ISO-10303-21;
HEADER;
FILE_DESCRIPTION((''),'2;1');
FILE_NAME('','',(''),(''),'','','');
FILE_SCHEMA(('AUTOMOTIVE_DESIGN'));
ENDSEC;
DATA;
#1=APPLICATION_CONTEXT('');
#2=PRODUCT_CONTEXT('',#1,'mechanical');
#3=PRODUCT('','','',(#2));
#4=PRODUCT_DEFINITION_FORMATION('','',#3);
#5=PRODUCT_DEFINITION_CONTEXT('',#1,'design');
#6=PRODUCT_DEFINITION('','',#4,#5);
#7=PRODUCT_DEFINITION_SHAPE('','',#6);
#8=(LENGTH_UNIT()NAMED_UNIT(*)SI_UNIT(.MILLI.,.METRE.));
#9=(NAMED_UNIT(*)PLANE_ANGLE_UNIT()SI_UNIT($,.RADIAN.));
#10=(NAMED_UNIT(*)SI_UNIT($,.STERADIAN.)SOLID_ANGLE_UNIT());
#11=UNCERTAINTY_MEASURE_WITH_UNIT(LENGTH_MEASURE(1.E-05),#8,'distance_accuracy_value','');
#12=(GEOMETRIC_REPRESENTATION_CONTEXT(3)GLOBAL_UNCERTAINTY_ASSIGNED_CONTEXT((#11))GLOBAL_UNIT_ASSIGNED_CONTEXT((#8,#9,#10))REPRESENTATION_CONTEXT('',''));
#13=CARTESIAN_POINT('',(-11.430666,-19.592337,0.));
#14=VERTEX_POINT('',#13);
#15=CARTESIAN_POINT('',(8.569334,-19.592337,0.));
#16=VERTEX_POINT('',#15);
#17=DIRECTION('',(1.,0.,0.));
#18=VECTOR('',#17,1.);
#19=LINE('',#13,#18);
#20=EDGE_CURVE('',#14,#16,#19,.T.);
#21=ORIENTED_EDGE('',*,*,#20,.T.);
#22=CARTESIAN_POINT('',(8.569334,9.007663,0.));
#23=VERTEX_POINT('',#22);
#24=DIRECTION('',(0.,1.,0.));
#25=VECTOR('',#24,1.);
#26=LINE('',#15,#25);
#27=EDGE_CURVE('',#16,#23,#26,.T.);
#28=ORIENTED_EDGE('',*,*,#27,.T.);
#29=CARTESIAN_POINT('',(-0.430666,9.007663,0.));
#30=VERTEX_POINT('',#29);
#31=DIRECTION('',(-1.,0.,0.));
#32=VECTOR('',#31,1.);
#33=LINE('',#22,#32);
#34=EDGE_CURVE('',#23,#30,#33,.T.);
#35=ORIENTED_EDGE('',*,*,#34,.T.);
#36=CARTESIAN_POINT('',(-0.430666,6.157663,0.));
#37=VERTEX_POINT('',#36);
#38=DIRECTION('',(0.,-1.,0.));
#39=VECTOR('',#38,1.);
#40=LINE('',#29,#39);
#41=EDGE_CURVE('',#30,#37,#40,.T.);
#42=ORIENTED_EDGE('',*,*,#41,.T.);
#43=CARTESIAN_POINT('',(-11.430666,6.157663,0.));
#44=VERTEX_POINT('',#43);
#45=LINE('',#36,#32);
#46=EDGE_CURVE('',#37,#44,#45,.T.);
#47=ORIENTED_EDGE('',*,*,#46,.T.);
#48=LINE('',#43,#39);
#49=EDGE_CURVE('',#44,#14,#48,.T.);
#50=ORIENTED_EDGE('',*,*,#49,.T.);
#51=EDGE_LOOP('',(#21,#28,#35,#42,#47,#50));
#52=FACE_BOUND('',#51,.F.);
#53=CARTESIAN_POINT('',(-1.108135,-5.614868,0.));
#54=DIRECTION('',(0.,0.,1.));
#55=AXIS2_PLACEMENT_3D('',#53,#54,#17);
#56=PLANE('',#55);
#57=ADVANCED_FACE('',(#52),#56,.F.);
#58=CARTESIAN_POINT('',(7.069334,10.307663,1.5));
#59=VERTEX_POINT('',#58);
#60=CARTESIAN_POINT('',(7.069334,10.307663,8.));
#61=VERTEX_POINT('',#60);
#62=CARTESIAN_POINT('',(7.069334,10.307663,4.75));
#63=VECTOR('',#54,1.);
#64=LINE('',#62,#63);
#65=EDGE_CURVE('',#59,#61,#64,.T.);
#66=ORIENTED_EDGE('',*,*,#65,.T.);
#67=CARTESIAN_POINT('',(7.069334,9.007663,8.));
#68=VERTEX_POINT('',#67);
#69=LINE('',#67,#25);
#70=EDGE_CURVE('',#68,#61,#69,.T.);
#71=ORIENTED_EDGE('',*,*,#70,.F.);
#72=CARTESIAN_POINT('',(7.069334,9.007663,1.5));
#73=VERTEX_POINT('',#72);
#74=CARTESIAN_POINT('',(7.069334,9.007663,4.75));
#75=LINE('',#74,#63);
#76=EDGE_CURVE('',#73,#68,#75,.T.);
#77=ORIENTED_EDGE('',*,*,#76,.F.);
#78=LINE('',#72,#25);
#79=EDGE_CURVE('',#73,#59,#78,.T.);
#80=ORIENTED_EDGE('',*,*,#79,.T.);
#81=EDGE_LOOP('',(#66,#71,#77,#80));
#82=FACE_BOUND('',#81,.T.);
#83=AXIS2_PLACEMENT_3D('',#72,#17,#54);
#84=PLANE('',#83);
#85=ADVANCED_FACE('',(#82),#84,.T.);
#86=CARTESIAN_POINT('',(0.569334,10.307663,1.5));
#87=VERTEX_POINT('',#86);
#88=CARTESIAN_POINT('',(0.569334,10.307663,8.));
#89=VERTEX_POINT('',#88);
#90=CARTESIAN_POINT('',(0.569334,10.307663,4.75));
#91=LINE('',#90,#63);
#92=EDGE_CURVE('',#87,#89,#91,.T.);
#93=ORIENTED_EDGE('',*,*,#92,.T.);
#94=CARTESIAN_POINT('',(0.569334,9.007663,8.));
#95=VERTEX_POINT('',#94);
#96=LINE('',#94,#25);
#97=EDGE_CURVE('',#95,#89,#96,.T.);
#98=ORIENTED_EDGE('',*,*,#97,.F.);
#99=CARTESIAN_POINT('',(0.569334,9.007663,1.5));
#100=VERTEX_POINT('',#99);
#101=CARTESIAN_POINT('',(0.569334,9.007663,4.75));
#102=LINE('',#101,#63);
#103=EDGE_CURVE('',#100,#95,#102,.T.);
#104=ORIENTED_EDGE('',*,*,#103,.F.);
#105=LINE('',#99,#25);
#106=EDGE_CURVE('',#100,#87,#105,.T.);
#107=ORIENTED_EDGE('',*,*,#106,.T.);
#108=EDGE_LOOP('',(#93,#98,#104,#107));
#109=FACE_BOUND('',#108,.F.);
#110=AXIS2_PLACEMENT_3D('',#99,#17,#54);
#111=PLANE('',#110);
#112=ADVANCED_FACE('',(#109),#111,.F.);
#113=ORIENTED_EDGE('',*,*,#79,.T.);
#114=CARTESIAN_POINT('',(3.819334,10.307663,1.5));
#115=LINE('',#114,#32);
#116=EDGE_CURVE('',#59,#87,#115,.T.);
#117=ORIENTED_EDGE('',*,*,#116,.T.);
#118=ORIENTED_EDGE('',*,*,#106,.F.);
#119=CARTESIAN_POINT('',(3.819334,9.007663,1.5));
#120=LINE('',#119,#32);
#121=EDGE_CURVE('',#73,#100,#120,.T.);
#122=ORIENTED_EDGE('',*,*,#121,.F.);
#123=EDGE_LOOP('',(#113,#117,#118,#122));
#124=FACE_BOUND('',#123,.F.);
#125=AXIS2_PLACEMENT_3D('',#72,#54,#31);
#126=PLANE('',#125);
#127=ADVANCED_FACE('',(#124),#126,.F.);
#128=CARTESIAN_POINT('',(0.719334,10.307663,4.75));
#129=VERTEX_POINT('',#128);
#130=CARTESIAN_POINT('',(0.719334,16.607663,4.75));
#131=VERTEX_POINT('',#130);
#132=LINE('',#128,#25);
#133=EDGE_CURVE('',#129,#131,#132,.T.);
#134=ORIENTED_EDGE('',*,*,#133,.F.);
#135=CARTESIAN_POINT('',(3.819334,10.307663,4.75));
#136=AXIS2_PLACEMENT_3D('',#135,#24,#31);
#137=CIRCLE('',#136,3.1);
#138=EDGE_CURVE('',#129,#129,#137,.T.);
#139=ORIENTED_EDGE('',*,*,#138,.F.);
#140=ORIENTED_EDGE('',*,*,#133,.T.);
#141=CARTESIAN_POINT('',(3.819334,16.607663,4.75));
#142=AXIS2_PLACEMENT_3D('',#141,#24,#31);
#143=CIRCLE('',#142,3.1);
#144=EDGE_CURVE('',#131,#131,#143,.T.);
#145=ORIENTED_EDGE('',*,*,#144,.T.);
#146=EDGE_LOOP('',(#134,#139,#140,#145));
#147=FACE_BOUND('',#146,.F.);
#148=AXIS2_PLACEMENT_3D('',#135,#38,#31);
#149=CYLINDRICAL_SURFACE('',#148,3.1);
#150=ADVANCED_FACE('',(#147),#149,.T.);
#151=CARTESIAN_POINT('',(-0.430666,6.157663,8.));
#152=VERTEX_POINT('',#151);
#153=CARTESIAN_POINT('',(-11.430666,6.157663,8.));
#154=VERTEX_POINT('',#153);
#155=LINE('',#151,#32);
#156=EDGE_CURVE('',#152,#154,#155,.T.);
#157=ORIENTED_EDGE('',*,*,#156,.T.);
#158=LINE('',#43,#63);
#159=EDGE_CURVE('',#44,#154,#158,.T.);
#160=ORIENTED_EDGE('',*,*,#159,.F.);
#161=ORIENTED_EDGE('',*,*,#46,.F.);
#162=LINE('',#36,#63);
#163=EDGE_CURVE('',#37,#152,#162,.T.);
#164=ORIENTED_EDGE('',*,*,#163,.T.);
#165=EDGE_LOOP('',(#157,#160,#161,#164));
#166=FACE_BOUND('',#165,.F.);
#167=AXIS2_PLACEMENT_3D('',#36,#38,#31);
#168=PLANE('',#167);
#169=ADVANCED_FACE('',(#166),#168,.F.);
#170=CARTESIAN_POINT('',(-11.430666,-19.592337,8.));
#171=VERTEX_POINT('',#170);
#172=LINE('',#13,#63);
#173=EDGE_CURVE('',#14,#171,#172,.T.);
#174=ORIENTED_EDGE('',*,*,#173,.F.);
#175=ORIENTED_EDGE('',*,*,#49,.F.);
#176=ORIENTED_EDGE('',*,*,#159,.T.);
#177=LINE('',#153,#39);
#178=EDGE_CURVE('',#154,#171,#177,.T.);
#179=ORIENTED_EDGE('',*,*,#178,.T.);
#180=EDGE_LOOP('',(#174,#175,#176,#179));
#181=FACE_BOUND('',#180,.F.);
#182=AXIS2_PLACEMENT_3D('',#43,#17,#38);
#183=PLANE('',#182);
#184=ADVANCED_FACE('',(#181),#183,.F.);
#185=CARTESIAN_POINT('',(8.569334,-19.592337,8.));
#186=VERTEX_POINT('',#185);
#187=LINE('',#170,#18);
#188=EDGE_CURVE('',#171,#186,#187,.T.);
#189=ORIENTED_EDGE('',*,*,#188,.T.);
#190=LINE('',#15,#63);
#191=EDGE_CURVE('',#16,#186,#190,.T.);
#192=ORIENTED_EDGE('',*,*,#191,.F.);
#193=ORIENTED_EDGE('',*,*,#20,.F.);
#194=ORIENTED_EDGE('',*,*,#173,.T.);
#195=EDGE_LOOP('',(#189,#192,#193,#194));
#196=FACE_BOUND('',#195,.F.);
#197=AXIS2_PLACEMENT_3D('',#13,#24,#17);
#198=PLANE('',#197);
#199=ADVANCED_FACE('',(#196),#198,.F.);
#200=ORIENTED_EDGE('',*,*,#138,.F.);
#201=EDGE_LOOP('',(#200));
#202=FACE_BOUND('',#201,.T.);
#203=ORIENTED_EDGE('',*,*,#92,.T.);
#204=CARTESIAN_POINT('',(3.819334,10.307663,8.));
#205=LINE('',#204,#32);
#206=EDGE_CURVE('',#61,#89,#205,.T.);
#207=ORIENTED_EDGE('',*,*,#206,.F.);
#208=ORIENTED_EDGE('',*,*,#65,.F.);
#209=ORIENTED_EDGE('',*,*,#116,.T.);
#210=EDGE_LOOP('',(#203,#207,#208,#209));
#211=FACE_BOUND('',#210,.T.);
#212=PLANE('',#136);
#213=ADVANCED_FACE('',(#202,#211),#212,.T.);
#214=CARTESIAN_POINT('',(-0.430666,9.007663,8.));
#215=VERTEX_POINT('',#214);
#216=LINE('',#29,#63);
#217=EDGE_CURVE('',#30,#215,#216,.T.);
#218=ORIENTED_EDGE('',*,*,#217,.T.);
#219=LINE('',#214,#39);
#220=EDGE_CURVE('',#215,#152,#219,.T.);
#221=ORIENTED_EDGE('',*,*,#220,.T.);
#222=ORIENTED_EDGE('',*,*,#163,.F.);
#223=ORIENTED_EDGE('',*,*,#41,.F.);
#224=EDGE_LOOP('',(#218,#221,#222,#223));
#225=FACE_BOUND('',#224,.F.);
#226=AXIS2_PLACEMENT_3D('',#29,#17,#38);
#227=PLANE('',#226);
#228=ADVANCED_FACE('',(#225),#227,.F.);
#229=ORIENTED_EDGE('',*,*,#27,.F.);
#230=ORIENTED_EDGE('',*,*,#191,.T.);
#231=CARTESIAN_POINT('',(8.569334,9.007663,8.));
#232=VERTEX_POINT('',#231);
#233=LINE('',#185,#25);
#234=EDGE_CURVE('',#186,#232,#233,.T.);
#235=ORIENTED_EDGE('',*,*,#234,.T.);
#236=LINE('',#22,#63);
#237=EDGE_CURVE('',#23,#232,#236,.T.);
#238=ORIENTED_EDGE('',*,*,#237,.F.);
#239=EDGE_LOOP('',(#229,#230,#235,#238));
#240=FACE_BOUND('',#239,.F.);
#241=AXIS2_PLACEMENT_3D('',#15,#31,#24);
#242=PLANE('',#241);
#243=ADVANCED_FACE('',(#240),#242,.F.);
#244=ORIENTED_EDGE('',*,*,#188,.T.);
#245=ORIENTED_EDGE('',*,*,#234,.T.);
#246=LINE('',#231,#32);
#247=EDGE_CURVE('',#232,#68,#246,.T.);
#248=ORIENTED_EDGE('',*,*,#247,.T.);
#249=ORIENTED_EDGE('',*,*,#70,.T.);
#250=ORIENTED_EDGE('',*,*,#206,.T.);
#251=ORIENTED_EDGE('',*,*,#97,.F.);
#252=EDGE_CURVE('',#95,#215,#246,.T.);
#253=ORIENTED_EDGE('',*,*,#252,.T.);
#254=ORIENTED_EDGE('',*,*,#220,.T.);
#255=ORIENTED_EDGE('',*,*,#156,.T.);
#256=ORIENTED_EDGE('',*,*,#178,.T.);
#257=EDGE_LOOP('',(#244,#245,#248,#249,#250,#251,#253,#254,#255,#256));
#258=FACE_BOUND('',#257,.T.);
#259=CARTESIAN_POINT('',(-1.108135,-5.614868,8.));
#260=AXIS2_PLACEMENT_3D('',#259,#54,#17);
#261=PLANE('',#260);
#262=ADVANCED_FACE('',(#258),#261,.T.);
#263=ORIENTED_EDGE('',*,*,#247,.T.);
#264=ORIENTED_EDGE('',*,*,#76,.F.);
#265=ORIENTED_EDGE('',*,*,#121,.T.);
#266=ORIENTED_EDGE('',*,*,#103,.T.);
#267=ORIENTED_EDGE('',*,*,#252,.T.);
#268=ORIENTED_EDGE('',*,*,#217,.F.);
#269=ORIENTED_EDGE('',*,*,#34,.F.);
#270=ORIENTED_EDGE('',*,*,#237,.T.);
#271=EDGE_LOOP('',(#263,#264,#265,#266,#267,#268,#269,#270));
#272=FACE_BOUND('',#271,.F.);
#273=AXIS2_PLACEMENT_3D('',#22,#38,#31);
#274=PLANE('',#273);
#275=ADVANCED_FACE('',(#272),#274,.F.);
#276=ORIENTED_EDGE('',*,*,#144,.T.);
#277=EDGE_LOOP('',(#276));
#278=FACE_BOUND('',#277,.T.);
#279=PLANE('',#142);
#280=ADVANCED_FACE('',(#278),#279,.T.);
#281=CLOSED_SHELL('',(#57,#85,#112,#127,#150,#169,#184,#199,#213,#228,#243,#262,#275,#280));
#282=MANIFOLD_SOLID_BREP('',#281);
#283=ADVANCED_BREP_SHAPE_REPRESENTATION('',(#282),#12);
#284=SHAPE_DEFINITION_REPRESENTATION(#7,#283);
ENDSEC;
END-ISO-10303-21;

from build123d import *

# Parameters (mm, degrees)
F1_DEPTH = 8
F2_W     = 6.5
F2_H     = 6.5
F3_DEPTH = 1.3
F4_R     = 3.1
F5_DEPTH = 6.3


with BuildPart() as f1:
    # F0 (on Top) → F1 (new body)
    with BuildSketch(Plane.XY):
        Polygon((-0.430666, 6.157663), (-11.430666, 6.157663), (-11.430666, -19.592337), (8.569334, -19.592337), (8.569334, 6.157663), (8.569334, 9.007663), (-0.430666, 9.007663), align=None)
    extrude(amount=F1_DEPTH)

    # F2 (on face) → F3 (join)
    with BuildSketch(Plane(origin=(0, 9.007663, 0), x_dir=(-1, 0, 0), z_dir=(0, 1, 0))):
        with Locations((-3.819334, 4.75)):
            Rectangle(F2_W, F2_H)
    extrude(amount=F3_DEPTH)

    # F4 (on face) → F5 (join)
    with BuildSketch(Plane(origin=(0, 10.307663, 0), x_dir=(-1, 0, 0), z_dir=(0, 1, 0))):
        with Locations((-3.819334, 4.75)):
            Circle(F4_R)
    extrude(amount=F5_DEPTH)


solid = f1.part
